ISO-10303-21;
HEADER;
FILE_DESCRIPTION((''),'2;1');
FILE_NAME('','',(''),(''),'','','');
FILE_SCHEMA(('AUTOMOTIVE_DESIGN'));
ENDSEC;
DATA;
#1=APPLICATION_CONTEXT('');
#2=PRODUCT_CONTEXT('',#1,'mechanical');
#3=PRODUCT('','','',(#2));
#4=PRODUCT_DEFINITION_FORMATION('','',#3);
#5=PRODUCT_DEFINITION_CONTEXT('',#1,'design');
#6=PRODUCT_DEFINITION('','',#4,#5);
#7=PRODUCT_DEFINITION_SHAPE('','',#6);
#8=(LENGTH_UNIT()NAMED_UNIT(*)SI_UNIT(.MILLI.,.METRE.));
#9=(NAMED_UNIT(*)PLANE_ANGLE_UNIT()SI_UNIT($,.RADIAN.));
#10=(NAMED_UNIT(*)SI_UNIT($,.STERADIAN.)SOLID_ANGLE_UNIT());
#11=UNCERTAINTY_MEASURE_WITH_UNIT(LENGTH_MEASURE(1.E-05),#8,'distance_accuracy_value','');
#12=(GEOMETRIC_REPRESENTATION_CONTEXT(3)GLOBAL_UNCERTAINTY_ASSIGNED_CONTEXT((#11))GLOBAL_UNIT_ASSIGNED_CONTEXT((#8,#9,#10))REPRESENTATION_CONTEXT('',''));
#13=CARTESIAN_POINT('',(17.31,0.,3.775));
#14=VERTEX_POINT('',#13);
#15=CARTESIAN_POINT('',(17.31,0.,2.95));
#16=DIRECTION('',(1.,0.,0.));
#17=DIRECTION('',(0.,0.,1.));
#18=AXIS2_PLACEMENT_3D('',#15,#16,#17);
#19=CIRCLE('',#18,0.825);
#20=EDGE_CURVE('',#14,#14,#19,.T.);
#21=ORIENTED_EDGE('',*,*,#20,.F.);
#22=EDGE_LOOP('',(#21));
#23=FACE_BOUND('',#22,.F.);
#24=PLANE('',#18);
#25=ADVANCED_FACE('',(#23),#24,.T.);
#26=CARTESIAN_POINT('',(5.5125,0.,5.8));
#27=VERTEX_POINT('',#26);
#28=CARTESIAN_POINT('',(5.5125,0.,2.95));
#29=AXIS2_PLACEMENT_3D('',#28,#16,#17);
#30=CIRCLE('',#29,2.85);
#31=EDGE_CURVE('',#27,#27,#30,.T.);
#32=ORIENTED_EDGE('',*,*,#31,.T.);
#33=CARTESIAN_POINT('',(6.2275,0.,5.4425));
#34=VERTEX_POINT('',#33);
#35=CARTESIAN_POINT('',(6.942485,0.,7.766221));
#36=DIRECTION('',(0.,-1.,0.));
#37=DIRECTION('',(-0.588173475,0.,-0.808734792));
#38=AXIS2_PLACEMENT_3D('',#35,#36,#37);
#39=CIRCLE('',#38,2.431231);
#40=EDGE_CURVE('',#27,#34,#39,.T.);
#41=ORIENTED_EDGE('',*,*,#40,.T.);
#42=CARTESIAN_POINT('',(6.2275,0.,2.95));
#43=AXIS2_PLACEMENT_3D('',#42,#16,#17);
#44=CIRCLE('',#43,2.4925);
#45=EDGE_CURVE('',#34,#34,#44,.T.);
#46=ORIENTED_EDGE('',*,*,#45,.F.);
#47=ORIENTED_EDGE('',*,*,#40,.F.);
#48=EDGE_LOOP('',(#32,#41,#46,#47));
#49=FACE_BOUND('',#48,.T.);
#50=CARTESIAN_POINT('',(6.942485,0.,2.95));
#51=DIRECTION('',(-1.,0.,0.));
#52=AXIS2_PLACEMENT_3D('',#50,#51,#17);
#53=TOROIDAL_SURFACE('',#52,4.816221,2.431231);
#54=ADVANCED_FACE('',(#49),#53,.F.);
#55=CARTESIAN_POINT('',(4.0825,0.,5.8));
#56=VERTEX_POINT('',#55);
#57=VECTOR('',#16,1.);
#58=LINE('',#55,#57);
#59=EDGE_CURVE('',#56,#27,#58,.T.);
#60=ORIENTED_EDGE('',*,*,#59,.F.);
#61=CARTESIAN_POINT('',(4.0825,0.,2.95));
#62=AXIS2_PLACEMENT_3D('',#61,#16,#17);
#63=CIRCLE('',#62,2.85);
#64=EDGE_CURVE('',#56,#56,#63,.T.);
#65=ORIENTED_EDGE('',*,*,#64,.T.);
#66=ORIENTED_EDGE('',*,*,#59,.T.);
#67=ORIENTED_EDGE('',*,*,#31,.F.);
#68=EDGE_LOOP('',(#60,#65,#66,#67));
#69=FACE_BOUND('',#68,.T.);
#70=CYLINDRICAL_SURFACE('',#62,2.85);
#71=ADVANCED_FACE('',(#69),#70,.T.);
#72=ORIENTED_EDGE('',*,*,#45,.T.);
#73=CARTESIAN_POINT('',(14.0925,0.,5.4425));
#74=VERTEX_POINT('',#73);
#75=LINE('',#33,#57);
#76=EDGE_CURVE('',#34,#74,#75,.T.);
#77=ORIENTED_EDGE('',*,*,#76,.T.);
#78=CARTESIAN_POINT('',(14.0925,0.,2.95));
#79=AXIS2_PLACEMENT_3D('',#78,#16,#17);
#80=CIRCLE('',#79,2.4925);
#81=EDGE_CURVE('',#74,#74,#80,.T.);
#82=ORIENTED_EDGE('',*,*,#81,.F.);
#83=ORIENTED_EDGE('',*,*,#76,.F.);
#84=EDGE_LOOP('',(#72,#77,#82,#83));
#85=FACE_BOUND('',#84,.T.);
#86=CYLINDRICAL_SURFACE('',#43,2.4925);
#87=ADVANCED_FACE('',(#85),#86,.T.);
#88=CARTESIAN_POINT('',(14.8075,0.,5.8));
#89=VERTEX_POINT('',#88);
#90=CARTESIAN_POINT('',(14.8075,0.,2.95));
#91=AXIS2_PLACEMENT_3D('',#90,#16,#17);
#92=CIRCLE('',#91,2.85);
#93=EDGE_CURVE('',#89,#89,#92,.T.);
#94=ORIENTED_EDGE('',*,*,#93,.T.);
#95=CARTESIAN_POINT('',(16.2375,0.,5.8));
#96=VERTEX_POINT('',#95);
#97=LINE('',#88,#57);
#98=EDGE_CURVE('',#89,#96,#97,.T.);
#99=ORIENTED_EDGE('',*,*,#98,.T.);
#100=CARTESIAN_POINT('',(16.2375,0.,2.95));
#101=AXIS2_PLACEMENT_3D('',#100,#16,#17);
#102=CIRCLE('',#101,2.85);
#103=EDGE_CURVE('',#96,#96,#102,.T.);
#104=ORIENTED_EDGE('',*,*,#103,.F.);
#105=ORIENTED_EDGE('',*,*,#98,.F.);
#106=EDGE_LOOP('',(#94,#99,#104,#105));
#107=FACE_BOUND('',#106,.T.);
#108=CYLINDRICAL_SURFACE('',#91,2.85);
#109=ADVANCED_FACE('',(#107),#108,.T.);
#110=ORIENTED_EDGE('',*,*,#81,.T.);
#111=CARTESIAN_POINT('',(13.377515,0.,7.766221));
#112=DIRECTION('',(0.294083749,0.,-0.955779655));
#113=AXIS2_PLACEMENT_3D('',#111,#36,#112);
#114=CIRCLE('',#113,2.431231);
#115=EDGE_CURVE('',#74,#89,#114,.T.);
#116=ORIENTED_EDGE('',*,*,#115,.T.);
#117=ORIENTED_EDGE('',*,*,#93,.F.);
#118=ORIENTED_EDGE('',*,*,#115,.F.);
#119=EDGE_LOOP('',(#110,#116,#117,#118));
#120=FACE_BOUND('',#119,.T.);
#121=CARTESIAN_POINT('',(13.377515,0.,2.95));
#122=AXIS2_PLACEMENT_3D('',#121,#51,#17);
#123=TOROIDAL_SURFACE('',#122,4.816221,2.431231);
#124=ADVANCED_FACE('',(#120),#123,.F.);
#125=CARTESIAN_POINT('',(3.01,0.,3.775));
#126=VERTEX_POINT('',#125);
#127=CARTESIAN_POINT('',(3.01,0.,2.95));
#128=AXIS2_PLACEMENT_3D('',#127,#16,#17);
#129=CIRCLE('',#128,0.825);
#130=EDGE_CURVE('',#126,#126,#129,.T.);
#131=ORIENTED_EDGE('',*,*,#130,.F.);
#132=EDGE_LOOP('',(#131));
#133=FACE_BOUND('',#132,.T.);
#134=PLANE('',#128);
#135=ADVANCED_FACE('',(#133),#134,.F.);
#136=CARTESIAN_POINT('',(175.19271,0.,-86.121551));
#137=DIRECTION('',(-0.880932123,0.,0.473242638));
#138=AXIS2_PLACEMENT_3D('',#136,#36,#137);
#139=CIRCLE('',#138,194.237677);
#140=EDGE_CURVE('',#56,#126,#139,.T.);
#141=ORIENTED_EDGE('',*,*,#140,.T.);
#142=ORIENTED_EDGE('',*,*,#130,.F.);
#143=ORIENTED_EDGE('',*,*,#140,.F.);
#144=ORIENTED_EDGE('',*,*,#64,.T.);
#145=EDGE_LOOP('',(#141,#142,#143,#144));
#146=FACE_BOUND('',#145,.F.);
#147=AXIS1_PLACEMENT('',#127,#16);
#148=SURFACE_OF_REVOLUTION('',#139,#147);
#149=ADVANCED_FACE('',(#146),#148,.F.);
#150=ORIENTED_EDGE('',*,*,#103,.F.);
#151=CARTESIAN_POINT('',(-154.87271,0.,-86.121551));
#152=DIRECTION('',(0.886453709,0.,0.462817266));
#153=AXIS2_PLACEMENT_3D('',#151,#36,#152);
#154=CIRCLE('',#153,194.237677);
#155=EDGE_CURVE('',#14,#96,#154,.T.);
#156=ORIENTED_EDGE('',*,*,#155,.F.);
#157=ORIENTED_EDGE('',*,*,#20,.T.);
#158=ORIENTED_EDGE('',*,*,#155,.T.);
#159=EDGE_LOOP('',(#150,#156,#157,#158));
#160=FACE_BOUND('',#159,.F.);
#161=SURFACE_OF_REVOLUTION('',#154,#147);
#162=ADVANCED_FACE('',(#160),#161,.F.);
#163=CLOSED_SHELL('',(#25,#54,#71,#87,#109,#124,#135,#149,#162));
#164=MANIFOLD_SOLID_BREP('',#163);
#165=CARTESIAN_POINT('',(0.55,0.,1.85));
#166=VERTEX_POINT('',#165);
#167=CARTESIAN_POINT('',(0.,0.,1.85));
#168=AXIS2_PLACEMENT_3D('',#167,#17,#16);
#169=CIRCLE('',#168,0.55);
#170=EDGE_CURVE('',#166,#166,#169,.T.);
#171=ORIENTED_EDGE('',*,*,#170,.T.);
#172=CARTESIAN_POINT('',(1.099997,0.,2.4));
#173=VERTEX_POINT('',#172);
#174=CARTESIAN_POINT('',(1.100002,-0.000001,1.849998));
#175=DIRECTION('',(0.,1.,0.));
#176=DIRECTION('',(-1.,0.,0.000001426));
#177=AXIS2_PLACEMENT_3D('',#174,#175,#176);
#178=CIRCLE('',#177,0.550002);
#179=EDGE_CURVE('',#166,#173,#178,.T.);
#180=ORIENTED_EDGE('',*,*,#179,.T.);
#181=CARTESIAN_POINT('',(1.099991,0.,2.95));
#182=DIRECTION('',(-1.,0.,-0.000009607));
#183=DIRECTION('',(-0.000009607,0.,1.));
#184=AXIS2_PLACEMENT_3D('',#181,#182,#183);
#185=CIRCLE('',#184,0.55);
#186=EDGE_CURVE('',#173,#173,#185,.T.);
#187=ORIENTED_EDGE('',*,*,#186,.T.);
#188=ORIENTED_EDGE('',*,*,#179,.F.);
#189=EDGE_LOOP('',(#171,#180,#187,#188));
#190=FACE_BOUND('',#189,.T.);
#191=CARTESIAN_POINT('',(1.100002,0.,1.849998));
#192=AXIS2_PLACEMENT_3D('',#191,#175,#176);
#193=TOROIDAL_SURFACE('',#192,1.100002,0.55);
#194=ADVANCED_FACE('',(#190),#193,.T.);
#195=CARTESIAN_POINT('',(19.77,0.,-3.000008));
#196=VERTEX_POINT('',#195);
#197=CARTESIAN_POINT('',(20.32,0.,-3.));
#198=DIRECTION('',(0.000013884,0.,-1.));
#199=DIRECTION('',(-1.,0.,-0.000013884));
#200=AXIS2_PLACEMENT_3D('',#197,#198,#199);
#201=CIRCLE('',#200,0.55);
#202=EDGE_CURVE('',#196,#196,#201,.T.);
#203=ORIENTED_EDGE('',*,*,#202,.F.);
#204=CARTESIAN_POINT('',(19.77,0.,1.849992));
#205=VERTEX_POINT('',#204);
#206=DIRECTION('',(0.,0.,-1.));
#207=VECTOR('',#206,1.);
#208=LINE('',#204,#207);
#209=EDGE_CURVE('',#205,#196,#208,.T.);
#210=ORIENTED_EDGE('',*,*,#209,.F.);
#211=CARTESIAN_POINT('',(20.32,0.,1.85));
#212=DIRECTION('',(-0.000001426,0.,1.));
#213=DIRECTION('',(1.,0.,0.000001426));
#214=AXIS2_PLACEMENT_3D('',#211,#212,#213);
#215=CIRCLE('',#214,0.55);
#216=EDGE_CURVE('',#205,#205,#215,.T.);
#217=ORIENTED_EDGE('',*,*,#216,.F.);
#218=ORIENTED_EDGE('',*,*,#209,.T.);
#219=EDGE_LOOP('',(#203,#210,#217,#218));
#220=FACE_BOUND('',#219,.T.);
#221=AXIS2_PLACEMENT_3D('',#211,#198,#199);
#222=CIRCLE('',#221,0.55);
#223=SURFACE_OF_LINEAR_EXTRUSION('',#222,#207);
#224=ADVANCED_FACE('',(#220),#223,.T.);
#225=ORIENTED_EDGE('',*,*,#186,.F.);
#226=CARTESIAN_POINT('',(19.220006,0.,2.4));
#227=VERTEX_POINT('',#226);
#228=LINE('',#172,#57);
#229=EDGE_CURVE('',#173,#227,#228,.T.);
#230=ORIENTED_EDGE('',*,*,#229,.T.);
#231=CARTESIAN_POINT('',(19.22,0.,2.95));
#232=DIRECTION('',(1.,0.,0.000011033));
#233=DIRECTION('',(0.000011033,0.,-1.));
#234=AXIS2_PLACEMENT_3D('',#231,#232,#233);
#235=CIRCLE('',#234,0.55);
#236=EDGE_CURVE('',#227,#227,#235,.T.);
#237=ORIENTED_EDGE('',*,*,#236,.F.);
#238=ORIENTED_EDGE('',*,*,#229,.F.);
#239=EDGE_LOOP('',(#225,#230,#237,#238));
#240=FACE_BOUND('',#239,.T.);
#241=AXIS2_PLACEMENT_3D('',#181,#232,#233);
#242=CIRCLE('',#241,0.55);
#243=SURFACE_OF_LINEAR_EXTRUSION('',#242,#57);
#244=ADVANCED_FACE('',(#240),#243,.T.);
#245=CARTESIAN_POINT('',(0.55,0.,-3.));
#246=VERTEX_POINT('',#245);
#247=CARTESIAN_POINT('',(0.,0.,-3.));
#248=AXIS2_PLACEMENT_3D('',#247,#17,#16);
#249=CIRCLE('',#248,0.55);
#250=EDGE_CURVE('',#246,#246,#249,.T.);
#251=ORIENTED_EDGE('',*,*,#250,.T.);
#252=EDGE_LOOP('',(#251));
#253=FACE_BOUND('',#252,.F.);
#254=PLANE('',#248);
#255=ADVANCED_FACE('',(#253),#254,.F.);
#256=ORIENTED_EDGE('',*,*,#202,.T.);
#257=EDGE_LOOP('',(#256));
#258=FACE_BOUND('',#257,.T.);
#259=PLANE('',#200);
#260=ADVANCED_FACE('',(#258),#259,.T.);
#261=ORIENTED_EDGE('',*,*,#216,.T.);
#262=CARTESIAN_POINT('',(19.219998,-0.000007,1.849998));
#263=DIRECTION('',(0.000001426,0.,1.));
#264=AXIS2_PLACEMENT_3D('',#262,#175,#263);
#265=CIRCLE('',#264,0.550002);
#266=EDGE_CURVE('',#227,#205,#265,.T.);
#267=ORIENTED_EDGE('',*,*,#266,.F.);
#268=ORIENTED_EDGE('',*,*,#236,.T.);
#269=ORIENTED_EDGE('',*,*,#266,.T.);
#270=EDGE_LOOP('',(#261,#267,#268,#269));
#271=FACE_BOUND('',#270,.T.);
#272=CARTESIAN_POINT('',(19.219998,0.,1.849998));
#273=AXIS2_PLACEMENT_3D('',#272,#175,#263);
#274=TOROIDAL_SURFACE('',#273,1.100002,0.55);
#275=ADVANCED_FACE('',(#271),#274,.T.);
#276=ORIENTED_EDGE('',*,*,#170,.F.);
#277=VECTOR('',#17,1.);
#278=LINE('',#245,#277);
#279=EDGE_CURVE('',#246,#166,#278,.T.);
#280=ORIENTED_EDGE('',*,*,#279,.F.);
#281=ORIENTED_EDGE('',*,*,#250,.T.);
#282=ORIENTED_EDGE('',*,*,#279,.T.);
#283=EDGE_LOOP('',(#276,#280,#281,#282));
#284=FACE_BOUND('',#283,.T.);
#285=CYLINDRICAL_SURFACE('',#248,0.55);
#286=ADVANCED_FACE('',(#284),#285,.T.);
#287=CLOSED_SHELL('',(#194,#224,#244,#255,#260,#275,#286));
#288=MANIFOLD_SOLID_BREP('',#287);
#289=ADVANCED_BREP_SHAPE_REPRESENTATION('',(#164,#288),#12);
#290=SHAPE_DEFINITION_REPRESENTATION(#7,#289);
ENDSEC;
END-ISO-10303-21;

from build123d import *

# Parameters (mm, degrees)
SKETCH_R = 0.55


with BuildPart() as revolution:
    # Sketch002 → Revolution (revolve)
    with BuildSketch(Plane.XZ):
        with BuildLine():
            Line((4.0825, 5.8), (5.5125, 5.8))
            ThreePointArc((5.5125, 5.8), (5.855206, 5.591662), (6.2275, 5.4425))
            Line((6.2275, 5.4425), (14.0925, 5.4425))
            ThreePointArc((14.0925, 5.4425), (14.464794, 5.591662), (14.8075, 5.8))
            Line((14.8075, 5.8), (16.2375, 5.8))
            ThreePointArc((17.31, 3.775), (16.776736, 4.789082), (16.2375, 5.8))
            Line((17.31, 2.95), (17.31, 3.775))
            Line((3.01, 2.95), (17.31, 2.95))
            Line((3.01, 2.95), (3.01, 3.775))
            ThreePointArc((4.0825, 5.8), (3.543264, 4.789082), (3.01, 3.775))
        make_face()
    revolve(axis=Axis((3.01, 0, 2.95), (1, 0, 0)))


with BuildPart() as sweep_body:
    # Sweep: sweep along a path in Sketch001
    with BuildLine(Plane.XZ) as sweep_path:
        Line((0, -3), (0, 1.85))
        ThreePointArc((0, 1.85), (0.32218, 2.627814), (1.099991, 2.95))
        Line((1.099991, 2.95), (19.22, 2.95))
        ThreePointArc((19.22, 2.95), (19.997817, 2.627817), (20.32, 1.85))
        Line((20.32, 1.85), (20.32, -3))
    # Sketch → Sweep (sweep)
    with BuildSketch(Plane.XY.offset(-2)):
        Circle(SKETCH_R)
    sweep(path=sweep_path.line)


solid = Compound([revolution.part, sweep_body.part])
